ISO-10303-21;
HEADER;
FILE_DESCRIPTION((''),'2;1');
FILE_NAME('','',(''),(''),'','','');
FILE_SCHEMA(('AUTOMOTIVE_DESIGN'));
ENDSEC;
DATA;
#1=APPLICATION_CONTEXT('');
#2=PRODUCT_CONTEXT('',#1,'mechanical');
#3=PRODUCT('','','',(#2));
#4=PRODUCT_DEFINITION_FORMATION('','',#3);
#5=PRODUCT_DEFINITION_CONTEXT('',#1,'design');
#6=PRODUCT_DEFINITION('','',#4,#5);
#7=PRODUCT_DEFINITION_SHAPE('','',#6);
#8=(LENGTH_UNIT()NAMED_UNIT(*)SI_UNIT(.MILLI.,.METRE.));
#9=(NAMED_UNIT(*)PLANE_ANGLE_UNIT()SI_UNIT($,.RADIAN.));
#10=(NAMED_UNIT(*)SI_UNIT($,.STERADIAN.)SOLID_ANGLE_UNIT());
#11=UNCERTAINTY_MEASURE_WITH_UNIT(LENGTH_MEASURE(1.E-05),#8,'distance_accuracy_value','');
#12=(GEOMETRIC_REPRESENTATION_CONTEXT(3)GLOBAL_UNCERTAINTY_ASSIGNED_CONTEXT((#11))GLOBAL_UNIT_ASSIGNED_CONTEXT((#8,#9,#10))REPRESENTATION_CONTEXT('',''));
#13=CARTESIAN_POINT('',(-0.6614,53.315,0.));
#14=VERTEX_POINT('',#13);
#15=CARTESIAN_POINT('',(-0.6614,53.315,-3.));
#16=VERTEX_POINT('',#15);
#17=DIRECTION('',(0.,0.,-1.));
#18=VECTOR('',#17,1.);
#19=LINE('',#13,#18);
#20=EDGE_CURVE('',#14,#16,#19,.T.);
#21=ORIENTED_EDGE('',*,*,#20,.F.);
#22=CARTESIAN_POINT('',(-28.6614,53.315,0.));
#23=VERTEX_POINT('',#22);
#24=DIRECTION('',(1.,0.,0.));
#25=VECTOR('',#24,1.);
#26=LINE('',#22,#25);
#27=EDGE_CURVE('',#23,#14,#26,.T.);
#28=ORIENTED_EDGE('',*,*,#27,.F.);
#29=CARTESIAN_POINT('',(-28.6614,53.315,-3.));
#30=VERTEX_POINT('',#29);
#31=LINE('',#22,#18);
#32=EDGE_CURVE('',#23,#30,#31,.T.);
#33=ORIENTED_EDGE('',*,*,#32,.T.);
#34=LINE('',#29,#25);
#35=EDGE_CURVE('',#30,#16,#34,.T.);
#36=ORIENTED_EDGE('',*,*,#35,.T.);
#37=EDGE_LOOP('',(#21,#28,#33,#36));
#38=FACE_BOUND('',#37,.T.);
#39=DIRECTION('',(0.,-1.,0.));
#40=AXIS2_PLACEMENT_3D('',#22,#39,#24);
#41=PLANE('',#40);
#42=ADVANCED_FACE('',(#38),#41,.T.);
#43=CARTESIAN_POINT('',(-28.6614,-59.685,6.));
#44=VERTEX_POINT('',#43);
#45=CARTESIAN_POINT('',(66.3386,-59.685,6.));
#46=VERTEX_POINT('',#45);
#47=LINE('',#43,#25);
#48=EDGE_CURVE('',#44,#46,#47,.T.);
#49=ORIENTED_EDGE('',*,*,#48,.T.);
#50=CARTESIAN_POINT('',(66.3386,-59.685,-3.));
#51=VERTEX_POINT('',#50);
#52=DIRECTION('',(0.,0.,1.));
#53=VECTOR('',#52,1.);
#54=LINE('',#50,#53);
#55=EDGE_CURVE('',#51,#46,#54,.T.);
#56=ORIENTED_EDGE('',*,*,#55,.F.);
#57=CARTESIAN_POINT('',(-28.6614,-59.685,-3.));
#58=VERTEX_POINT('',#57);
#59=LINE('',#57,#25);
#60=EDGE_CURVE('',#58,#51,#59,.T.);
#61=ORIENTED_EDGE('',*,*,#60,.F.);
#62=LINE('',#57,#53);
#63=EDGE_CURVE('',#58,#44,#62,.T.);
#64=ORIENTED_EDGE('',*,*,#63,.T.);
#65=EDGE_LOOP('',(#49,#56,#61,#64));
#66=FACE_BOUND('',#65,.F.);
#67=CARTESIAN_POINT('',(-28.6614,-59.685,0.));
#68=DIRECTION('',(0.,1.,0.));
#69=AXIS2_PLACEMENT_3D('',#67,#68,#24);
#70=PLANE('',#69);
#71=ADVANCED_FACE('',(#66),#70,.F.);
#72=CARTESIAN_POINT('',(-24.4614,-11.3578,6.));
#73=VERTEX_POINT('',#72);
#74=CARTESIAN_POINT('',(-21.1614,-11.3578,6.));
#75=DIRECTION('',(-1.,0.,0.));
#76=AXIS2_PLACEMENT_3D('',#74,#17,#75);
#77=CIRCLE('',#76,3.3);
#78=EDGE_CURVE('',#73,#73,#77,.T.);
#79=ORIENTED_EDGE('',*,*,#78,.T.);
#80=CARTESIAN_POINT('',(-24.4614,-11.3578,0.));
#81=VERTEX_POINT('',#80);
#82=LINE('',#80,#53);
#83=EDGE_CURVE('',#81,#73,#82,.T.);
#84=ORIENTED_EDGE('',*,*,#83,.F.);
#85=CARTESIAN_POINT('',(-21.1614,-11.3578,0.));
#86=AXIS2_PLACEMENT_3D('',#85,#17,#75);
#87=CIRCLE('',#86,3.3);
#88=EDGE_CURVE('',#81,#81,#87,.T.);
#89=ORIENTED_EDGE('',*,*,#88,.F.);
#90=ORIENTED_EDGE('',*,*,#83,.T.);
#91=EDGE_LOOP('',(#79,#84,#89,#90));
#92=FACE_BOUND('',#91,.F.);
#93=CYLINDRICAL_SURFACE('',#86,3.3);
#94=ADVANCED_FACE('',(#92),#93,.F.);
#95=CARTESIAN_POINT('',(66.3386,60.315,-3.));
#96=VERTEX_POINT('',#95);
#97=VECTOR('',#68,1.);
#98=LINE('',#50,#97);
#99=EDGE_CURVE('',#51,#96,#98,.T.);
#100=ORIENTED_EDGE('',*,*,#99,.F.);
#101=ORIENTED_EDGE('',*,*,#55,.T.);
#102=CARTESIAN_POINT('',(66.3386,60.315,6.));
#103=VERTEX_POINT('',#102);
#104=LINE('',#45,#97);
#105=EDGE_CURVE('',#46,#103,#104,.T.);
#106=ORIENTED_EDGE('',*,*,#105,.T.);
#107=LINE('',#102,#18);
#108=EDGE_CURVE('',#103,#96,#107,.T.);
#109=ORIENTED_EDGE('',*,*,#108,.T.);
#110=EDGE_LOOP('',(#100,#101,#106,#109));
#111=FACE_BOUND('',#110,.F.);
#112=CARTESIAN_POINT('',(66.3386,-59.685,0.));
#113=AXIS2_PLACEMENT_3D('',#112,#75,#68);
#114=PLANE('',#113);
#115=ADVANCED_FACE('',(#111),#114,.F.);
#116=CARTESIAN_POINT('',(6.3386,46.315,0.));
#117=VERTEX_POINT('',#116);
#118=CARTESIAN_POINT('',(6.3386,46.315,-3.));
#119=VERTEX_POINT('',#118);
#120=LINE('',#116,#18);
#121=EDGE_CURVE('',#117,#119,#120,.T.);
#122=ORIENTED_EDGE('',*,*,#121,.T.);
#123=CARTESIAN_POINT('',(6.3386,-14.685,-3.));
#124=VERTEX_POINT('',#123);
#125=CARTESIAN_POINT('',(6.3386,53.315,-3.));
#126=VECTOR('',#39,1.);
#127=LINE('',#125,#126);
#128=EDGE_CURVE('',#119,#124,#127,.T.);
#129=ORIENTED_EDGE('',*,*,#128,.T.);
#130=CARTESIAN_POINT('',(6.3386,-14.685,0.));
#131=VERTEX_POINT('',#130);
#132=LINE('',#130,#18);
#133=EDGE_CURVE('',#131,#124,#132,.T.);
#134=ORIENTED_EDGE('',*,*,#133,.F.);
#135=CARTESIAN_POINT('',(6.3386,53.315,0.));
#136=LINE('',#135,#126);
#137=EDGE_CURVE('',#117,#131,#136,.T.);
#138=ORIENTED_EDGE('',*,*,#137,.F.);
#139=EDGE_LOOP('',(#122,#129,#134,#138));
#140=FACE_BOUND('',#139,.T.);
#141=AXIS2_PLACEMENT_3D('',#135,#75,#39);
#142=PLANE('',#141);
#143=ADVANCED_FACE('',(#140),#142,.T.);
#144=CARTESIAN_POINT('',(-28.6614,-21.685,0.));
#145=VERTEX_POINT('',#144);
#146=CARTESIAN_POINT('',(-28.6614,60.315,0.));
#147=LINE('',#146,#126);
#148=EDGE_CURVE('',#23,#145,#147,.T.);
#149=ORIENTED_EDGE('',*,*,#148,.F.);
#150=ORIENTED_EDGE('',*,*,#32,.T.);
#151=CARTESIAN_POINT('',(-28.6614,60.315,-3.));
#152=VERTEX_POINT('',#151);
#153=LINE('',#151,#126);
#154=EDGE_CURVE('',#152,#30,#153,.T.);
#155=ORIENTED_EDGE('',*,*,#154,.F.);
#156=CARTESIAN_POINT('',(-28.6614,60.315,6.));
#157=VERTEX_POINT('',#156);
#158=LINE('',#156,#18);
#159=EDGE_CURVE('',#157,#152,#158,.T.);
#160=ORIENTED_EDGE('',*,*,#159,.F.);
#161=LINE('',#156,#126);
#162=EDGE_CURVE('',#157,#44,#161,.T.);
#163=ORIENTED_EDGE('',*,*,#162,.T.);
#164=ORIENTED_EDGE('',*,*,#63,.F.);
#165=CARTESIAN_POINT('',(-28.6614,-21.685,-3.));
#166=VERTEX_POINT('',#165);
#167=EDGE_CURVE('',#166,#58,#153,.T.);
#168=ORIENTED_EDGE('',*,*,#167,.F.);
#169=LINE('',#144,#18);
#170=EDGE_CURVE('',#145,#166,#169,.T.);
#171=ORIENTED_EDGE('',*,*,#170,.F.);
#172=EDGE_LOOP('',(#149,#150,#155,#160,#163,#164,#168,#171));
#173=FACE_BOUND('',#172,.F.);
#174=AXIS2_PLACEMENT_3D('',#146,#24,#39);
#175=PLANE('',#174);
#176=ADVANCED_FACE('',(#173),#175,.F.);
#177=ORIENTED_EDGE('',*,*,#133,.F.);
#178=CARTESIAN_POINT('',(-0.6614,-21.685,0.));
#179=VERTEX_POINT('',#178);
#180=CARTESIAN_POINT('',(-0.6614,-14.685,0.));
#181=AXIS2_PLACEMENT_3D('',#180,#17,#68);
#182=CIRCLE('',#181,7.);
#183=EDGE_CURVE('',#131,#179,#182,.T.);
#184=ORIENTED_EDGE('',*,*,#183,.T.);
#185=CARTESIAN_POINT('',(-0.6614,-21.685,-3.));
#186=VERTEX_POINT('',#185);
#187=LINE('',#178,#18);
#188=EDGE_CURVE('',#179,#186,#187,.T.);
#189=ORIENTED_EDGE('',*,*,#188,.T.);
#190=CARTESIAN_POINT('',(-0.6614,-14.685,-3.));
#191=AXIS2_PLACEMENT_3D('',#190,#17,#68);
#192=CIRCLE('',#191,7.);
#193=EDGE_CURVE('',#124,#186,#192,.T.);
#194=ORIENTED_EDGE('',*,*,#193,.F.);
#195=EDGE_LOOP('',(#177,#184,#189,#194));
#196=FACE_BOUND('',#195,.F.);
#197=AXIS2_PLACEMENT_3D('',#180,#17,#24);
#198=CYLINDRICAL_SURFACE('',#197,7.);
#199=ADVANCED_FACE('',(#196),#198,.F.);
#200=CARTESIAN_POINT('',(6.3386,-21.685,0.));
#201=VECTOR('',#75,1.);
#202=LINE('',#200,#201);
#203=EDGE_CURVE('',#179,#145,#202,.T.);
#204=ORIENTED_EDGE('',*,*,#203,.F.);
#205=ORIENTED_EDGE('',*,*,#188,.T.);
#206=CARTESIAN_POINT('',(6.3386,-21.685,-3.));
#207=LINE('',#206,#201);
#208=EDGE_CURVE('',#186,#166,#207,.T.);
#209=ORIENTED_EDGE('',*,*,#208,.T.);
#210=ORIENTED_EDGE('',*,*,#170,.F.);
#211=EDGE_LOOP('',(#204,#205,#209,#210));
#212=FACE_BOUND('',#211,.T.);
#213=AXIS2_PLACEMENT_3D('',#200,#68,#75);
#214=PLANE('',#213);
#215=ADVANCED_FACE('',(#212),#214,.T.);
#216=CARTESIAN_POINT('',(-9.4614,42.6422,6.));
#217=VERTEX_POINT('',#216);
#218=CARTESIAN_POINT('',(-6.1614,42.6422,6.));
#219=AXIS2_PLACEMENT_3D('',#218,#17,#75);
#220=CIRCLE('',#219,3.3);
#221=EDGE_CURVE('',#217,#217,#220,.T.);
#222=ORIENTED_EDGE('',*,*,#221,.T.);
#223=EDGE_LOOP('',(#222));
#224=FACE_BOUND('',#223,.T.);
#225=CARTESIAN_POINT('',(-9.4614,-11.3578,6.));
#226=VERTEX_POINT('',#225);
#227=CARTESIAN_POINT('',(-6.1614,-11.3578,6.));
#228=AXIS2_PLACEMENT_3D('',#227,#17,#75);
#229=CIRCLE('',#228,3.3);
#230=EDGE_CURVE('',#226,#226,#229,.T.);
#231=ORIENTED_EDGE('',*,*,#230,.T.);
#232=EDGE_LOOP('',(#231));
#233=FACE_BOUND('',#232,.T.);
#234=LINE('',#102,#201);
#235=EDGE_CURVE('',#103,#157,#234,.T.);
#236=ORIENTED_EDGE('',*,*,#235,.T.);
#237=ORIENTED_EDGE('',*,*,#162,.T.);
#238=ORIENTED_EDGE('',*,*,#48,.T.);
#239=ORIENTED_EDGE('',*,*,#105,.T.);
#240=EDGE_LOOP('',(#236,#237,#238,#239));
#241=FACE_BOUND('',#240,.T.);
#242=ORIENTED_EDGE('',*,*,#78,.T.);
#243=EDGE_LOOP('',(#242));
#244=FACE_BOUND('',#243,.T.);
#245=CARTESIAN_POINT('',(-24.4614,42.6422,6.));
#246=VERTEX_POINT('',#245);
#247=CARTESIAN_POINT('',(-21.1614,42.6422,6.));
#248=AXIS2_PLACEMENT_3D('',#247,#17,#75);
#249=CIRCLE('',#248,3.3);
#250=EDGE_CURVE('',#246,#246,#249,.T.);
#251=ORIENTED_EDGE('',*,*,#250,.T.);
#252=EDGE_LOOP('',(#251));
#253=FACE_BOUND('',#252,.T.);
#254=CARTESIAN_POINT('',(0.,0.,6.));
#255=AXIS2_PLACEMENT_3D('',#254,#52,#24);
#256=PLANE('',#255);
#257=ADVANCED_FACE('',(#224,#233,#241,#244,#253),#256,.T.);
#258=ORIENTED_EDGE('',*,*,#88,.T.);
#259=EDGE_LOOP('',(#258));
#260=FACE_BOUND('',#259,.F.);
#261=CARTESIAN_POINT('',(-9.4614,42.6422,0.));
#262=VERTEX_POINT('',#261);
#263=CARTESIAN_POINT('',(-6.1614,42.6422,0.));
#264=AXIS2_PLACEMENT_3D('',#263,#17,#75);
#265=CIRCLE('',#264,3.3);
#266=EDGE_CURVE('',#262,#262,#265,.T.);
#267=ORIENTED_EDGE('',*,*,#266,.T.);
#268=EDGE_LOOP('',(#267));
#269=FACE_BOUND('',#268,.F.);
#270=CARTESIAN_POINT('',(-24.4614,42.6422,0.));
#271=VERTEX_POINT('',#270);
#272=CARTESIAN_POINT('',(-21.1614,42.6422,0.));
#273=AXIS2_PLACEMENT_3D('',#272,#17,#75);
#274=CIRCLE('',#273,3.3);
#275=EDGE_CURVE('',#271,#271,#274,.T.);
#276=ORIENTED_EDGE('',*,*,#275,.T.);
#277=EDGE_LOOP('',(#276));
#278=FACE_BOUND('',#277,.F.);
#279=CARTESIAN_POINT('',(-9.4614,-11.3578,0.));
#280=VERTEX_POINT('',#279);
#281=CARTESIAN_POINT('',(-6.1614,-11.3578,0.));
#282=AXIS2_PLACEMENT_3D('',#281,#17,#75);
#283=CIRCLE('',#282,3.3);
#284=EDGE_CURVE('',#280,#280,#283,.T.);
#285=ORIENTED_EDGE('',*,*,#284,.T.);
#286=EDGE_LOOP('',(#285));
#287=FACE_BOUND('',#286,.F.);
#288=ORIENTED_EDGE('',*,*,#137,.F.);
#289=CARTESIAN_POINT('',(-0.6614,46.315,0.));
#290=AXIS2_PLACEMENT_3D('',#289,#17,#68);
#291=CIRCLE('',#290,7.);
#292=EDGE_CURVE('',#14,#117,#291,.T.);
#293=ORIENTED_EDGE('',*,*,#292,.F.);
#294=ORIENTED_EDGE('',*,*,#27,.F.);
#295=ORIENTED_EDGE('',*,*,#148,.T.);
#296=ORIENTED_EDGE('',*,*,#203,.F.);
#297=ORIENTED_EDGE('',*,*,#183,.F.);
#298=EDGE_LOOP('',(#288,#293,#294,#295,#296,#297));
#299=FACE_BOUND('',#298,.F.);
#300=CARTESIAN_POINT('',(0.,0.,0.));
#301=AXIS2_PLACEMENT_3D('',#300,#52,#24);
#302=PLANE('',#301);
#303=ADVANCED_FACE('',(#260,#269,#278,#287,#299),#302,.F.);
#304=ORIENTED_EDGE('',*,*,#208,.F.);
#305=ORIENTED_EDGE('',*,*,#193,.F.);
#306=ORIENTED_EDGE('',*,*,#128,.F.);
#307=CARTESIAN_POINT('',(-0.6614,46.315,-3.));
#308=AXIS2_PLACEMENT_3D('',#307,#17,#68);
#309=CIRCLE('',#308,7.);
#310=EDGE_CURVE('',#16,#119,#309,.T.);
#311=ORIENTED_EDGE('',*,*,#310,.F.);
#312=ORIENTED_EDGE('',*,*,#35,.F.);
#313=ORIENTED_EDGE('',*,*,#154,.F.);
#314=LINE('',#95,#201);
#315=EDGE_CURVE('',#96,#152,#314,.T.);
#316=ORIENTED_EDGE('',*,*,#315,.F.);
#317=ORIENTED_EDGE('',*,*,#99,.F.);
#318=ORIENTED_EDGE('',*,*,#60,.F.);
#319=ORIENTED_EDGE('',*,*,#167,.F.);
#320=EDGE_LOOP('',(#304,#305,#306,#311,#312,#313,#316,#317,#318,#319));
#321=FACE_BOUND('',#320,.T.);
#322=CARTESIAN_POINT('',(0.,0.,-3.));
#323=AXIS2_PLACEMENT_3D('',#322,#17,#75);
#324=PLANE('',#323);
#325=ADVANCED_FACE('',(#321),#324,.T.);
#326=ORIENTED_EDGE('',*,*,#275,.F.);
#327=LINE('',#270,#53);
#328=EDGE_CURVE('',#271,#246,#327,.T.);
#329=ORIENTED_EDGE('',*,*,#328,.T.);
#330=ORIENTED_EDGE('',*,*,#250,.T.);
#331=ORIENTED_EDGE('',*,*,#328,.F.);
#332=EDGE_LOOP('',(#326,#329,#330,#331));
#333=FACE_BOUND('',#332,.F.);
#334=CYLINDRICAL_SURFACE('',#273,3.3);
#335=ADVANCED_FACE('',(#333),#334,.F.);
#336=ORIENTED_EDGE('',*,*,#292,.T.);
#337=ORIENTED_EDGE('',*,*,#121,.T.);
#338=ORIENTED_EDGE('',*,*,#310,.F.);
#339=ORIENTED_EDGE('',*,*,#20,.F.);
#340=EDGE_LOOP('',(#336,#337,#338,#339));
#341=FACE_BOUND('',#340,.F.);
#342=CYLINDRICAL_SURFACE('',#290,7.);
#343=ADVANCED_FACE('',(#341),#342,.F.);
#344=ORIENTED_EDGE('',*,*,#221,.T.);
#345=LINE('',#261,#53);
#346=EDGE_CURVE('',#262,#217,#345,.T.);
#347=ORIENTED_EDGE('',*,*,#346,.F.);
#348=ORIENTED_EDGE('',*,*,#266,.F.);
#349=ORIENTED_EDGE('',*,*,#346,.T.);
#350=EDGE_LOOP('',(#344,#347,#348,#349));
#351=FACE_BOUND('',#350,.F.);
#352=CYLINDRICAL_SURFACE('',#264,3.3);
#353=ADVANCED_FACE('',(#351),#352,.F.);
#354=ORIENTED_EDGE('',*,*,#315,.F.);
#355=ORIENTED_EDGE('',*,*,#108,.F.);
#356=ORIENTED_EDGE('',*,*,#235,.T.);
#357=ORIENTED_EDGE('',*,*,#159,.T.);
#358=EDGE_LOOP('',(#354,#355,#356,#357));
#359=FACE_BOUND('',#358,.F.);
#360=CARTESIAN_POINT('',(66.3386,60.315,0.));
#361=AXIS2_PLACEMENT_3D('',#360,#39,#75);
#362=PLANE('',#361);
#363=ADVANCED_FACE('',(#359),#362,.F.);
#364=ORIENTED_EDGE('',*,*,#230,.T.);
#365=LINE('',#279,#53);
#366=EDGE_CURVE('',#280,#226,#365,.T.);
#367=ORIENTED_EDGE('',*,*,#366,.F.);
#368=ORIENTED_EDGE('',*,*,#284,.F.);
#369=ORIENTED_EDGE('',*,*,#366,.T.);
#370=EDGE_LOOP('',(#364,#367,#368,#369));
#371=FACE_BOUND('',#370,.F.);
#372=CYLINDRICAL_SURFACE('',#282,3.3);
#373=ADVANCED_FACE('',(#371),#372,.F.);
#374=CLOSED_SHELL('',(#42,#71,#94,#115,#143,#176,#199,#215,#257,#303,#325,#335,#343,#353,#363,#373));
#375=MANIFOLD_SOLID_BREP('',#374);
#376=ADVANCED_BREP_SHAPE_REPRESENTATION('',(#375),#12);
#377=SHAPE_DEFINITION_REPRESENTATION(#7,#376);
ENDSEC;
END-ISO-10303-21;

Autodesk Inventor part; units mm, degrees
ref_plane "YZ Plane" through (0, 0, 0) normal (1, 0, 0) x (0, 1, 0)
ref_plane "XZ Plane" through (0, 0, 0) normal (0, 1, 0) x (-1, 0, 0)
ref_plane "XY Plane" through (0, 0, 0) normal (0, 0, 1) x (1, 0, 0)
sketch "Sketch1" plane through (0, 0, 0) normal (0, 0, 1) x (1, 0, 0)
  line L0 (-28.6614, -59.685) -> (66.3386, -59.685)
  line L1 (66.3386, -59.685) -> (66.3386, 60.315)
  line L2 (66.3386, 60.315) -> (-28.6614, 60.315)
  line L3 (-28.6614, 60.315) -> (-28.6614, -59.685)
  point P0 (0, 0)
  dimension "d0" = 120
  dimension "d1" = 95
extrude "Extrusion1" add sketch "Sketch1" along normal blind 6
sketch "Sketch3" plane through (0, 0, 0) normal (0, 0, -1) x (-1, 0, 0)
  line L0 (-66.3386, 60.315) -> (28.6614, 60.315) projected
  line L1 (28.6614, 60.315) -> (28.6614, 53.315)
  line L2 (28.6614, 60.315) -> (28.6614, -59.685) projected
  line L3 (28.6614, 53.315) -> (-6.3386, 53.315)
  line L4 (-6.3386, 53.315) -> (-6.3386, -21.685)
  line L5 (-6.3386, -21.685) -> (28.6614, -21.685)
  line L6 (28.6614, -21.685) -> (28.6614, -59.685)
  line L7 (28.6614, -59.685) -> (-66.3386, -59.685) projected
  line L8 (28.6614, -59.685) -> (-66.3386, -59.685)
  line L9 (-66.3386, -59.685) -> (-66.3386, 60.315) projected
  line L10 (-66.3386, -59.685) -> (-66.3386, 60.315)
  line L11 (-66.3386, 60.315) -> (28.6614, 60.315)
  point P0 (0, 0)
  dimension "d9" = 7
  dimension "d10" = 35
  dimension "d11" = 75
extrude "Extrusion3" add sketch "Sketch3" along normal blind 3 contours L0 L1 L3 L4 L5 L2 L7 L9
fillet "Fillet1" radius 7 2 edges at (6.3386, -21.685, -1.5) (6.3386, 53.315, -1.5)
sketch "Sketch4" plane through (0, 0, 0) normal (0, 0, -1) x (-1, 0, 0)
  circle A0 centre (6.1614, 42.6422) radius 3.3 projected
  circle A1 centre (21.1614, 42.6422) radius 3.3 projected
  circle A2 centre (21.1614, -11.3578) radius 3.3 projected
  circle A3 centre (6.1614, -11.3578) radius 3.3 projected
  point P0 (0, 0)
extrude "Extrusion4" cut sketch "Sketch4" against normal through all
properties part number "Internal support motor-ball bracket"
